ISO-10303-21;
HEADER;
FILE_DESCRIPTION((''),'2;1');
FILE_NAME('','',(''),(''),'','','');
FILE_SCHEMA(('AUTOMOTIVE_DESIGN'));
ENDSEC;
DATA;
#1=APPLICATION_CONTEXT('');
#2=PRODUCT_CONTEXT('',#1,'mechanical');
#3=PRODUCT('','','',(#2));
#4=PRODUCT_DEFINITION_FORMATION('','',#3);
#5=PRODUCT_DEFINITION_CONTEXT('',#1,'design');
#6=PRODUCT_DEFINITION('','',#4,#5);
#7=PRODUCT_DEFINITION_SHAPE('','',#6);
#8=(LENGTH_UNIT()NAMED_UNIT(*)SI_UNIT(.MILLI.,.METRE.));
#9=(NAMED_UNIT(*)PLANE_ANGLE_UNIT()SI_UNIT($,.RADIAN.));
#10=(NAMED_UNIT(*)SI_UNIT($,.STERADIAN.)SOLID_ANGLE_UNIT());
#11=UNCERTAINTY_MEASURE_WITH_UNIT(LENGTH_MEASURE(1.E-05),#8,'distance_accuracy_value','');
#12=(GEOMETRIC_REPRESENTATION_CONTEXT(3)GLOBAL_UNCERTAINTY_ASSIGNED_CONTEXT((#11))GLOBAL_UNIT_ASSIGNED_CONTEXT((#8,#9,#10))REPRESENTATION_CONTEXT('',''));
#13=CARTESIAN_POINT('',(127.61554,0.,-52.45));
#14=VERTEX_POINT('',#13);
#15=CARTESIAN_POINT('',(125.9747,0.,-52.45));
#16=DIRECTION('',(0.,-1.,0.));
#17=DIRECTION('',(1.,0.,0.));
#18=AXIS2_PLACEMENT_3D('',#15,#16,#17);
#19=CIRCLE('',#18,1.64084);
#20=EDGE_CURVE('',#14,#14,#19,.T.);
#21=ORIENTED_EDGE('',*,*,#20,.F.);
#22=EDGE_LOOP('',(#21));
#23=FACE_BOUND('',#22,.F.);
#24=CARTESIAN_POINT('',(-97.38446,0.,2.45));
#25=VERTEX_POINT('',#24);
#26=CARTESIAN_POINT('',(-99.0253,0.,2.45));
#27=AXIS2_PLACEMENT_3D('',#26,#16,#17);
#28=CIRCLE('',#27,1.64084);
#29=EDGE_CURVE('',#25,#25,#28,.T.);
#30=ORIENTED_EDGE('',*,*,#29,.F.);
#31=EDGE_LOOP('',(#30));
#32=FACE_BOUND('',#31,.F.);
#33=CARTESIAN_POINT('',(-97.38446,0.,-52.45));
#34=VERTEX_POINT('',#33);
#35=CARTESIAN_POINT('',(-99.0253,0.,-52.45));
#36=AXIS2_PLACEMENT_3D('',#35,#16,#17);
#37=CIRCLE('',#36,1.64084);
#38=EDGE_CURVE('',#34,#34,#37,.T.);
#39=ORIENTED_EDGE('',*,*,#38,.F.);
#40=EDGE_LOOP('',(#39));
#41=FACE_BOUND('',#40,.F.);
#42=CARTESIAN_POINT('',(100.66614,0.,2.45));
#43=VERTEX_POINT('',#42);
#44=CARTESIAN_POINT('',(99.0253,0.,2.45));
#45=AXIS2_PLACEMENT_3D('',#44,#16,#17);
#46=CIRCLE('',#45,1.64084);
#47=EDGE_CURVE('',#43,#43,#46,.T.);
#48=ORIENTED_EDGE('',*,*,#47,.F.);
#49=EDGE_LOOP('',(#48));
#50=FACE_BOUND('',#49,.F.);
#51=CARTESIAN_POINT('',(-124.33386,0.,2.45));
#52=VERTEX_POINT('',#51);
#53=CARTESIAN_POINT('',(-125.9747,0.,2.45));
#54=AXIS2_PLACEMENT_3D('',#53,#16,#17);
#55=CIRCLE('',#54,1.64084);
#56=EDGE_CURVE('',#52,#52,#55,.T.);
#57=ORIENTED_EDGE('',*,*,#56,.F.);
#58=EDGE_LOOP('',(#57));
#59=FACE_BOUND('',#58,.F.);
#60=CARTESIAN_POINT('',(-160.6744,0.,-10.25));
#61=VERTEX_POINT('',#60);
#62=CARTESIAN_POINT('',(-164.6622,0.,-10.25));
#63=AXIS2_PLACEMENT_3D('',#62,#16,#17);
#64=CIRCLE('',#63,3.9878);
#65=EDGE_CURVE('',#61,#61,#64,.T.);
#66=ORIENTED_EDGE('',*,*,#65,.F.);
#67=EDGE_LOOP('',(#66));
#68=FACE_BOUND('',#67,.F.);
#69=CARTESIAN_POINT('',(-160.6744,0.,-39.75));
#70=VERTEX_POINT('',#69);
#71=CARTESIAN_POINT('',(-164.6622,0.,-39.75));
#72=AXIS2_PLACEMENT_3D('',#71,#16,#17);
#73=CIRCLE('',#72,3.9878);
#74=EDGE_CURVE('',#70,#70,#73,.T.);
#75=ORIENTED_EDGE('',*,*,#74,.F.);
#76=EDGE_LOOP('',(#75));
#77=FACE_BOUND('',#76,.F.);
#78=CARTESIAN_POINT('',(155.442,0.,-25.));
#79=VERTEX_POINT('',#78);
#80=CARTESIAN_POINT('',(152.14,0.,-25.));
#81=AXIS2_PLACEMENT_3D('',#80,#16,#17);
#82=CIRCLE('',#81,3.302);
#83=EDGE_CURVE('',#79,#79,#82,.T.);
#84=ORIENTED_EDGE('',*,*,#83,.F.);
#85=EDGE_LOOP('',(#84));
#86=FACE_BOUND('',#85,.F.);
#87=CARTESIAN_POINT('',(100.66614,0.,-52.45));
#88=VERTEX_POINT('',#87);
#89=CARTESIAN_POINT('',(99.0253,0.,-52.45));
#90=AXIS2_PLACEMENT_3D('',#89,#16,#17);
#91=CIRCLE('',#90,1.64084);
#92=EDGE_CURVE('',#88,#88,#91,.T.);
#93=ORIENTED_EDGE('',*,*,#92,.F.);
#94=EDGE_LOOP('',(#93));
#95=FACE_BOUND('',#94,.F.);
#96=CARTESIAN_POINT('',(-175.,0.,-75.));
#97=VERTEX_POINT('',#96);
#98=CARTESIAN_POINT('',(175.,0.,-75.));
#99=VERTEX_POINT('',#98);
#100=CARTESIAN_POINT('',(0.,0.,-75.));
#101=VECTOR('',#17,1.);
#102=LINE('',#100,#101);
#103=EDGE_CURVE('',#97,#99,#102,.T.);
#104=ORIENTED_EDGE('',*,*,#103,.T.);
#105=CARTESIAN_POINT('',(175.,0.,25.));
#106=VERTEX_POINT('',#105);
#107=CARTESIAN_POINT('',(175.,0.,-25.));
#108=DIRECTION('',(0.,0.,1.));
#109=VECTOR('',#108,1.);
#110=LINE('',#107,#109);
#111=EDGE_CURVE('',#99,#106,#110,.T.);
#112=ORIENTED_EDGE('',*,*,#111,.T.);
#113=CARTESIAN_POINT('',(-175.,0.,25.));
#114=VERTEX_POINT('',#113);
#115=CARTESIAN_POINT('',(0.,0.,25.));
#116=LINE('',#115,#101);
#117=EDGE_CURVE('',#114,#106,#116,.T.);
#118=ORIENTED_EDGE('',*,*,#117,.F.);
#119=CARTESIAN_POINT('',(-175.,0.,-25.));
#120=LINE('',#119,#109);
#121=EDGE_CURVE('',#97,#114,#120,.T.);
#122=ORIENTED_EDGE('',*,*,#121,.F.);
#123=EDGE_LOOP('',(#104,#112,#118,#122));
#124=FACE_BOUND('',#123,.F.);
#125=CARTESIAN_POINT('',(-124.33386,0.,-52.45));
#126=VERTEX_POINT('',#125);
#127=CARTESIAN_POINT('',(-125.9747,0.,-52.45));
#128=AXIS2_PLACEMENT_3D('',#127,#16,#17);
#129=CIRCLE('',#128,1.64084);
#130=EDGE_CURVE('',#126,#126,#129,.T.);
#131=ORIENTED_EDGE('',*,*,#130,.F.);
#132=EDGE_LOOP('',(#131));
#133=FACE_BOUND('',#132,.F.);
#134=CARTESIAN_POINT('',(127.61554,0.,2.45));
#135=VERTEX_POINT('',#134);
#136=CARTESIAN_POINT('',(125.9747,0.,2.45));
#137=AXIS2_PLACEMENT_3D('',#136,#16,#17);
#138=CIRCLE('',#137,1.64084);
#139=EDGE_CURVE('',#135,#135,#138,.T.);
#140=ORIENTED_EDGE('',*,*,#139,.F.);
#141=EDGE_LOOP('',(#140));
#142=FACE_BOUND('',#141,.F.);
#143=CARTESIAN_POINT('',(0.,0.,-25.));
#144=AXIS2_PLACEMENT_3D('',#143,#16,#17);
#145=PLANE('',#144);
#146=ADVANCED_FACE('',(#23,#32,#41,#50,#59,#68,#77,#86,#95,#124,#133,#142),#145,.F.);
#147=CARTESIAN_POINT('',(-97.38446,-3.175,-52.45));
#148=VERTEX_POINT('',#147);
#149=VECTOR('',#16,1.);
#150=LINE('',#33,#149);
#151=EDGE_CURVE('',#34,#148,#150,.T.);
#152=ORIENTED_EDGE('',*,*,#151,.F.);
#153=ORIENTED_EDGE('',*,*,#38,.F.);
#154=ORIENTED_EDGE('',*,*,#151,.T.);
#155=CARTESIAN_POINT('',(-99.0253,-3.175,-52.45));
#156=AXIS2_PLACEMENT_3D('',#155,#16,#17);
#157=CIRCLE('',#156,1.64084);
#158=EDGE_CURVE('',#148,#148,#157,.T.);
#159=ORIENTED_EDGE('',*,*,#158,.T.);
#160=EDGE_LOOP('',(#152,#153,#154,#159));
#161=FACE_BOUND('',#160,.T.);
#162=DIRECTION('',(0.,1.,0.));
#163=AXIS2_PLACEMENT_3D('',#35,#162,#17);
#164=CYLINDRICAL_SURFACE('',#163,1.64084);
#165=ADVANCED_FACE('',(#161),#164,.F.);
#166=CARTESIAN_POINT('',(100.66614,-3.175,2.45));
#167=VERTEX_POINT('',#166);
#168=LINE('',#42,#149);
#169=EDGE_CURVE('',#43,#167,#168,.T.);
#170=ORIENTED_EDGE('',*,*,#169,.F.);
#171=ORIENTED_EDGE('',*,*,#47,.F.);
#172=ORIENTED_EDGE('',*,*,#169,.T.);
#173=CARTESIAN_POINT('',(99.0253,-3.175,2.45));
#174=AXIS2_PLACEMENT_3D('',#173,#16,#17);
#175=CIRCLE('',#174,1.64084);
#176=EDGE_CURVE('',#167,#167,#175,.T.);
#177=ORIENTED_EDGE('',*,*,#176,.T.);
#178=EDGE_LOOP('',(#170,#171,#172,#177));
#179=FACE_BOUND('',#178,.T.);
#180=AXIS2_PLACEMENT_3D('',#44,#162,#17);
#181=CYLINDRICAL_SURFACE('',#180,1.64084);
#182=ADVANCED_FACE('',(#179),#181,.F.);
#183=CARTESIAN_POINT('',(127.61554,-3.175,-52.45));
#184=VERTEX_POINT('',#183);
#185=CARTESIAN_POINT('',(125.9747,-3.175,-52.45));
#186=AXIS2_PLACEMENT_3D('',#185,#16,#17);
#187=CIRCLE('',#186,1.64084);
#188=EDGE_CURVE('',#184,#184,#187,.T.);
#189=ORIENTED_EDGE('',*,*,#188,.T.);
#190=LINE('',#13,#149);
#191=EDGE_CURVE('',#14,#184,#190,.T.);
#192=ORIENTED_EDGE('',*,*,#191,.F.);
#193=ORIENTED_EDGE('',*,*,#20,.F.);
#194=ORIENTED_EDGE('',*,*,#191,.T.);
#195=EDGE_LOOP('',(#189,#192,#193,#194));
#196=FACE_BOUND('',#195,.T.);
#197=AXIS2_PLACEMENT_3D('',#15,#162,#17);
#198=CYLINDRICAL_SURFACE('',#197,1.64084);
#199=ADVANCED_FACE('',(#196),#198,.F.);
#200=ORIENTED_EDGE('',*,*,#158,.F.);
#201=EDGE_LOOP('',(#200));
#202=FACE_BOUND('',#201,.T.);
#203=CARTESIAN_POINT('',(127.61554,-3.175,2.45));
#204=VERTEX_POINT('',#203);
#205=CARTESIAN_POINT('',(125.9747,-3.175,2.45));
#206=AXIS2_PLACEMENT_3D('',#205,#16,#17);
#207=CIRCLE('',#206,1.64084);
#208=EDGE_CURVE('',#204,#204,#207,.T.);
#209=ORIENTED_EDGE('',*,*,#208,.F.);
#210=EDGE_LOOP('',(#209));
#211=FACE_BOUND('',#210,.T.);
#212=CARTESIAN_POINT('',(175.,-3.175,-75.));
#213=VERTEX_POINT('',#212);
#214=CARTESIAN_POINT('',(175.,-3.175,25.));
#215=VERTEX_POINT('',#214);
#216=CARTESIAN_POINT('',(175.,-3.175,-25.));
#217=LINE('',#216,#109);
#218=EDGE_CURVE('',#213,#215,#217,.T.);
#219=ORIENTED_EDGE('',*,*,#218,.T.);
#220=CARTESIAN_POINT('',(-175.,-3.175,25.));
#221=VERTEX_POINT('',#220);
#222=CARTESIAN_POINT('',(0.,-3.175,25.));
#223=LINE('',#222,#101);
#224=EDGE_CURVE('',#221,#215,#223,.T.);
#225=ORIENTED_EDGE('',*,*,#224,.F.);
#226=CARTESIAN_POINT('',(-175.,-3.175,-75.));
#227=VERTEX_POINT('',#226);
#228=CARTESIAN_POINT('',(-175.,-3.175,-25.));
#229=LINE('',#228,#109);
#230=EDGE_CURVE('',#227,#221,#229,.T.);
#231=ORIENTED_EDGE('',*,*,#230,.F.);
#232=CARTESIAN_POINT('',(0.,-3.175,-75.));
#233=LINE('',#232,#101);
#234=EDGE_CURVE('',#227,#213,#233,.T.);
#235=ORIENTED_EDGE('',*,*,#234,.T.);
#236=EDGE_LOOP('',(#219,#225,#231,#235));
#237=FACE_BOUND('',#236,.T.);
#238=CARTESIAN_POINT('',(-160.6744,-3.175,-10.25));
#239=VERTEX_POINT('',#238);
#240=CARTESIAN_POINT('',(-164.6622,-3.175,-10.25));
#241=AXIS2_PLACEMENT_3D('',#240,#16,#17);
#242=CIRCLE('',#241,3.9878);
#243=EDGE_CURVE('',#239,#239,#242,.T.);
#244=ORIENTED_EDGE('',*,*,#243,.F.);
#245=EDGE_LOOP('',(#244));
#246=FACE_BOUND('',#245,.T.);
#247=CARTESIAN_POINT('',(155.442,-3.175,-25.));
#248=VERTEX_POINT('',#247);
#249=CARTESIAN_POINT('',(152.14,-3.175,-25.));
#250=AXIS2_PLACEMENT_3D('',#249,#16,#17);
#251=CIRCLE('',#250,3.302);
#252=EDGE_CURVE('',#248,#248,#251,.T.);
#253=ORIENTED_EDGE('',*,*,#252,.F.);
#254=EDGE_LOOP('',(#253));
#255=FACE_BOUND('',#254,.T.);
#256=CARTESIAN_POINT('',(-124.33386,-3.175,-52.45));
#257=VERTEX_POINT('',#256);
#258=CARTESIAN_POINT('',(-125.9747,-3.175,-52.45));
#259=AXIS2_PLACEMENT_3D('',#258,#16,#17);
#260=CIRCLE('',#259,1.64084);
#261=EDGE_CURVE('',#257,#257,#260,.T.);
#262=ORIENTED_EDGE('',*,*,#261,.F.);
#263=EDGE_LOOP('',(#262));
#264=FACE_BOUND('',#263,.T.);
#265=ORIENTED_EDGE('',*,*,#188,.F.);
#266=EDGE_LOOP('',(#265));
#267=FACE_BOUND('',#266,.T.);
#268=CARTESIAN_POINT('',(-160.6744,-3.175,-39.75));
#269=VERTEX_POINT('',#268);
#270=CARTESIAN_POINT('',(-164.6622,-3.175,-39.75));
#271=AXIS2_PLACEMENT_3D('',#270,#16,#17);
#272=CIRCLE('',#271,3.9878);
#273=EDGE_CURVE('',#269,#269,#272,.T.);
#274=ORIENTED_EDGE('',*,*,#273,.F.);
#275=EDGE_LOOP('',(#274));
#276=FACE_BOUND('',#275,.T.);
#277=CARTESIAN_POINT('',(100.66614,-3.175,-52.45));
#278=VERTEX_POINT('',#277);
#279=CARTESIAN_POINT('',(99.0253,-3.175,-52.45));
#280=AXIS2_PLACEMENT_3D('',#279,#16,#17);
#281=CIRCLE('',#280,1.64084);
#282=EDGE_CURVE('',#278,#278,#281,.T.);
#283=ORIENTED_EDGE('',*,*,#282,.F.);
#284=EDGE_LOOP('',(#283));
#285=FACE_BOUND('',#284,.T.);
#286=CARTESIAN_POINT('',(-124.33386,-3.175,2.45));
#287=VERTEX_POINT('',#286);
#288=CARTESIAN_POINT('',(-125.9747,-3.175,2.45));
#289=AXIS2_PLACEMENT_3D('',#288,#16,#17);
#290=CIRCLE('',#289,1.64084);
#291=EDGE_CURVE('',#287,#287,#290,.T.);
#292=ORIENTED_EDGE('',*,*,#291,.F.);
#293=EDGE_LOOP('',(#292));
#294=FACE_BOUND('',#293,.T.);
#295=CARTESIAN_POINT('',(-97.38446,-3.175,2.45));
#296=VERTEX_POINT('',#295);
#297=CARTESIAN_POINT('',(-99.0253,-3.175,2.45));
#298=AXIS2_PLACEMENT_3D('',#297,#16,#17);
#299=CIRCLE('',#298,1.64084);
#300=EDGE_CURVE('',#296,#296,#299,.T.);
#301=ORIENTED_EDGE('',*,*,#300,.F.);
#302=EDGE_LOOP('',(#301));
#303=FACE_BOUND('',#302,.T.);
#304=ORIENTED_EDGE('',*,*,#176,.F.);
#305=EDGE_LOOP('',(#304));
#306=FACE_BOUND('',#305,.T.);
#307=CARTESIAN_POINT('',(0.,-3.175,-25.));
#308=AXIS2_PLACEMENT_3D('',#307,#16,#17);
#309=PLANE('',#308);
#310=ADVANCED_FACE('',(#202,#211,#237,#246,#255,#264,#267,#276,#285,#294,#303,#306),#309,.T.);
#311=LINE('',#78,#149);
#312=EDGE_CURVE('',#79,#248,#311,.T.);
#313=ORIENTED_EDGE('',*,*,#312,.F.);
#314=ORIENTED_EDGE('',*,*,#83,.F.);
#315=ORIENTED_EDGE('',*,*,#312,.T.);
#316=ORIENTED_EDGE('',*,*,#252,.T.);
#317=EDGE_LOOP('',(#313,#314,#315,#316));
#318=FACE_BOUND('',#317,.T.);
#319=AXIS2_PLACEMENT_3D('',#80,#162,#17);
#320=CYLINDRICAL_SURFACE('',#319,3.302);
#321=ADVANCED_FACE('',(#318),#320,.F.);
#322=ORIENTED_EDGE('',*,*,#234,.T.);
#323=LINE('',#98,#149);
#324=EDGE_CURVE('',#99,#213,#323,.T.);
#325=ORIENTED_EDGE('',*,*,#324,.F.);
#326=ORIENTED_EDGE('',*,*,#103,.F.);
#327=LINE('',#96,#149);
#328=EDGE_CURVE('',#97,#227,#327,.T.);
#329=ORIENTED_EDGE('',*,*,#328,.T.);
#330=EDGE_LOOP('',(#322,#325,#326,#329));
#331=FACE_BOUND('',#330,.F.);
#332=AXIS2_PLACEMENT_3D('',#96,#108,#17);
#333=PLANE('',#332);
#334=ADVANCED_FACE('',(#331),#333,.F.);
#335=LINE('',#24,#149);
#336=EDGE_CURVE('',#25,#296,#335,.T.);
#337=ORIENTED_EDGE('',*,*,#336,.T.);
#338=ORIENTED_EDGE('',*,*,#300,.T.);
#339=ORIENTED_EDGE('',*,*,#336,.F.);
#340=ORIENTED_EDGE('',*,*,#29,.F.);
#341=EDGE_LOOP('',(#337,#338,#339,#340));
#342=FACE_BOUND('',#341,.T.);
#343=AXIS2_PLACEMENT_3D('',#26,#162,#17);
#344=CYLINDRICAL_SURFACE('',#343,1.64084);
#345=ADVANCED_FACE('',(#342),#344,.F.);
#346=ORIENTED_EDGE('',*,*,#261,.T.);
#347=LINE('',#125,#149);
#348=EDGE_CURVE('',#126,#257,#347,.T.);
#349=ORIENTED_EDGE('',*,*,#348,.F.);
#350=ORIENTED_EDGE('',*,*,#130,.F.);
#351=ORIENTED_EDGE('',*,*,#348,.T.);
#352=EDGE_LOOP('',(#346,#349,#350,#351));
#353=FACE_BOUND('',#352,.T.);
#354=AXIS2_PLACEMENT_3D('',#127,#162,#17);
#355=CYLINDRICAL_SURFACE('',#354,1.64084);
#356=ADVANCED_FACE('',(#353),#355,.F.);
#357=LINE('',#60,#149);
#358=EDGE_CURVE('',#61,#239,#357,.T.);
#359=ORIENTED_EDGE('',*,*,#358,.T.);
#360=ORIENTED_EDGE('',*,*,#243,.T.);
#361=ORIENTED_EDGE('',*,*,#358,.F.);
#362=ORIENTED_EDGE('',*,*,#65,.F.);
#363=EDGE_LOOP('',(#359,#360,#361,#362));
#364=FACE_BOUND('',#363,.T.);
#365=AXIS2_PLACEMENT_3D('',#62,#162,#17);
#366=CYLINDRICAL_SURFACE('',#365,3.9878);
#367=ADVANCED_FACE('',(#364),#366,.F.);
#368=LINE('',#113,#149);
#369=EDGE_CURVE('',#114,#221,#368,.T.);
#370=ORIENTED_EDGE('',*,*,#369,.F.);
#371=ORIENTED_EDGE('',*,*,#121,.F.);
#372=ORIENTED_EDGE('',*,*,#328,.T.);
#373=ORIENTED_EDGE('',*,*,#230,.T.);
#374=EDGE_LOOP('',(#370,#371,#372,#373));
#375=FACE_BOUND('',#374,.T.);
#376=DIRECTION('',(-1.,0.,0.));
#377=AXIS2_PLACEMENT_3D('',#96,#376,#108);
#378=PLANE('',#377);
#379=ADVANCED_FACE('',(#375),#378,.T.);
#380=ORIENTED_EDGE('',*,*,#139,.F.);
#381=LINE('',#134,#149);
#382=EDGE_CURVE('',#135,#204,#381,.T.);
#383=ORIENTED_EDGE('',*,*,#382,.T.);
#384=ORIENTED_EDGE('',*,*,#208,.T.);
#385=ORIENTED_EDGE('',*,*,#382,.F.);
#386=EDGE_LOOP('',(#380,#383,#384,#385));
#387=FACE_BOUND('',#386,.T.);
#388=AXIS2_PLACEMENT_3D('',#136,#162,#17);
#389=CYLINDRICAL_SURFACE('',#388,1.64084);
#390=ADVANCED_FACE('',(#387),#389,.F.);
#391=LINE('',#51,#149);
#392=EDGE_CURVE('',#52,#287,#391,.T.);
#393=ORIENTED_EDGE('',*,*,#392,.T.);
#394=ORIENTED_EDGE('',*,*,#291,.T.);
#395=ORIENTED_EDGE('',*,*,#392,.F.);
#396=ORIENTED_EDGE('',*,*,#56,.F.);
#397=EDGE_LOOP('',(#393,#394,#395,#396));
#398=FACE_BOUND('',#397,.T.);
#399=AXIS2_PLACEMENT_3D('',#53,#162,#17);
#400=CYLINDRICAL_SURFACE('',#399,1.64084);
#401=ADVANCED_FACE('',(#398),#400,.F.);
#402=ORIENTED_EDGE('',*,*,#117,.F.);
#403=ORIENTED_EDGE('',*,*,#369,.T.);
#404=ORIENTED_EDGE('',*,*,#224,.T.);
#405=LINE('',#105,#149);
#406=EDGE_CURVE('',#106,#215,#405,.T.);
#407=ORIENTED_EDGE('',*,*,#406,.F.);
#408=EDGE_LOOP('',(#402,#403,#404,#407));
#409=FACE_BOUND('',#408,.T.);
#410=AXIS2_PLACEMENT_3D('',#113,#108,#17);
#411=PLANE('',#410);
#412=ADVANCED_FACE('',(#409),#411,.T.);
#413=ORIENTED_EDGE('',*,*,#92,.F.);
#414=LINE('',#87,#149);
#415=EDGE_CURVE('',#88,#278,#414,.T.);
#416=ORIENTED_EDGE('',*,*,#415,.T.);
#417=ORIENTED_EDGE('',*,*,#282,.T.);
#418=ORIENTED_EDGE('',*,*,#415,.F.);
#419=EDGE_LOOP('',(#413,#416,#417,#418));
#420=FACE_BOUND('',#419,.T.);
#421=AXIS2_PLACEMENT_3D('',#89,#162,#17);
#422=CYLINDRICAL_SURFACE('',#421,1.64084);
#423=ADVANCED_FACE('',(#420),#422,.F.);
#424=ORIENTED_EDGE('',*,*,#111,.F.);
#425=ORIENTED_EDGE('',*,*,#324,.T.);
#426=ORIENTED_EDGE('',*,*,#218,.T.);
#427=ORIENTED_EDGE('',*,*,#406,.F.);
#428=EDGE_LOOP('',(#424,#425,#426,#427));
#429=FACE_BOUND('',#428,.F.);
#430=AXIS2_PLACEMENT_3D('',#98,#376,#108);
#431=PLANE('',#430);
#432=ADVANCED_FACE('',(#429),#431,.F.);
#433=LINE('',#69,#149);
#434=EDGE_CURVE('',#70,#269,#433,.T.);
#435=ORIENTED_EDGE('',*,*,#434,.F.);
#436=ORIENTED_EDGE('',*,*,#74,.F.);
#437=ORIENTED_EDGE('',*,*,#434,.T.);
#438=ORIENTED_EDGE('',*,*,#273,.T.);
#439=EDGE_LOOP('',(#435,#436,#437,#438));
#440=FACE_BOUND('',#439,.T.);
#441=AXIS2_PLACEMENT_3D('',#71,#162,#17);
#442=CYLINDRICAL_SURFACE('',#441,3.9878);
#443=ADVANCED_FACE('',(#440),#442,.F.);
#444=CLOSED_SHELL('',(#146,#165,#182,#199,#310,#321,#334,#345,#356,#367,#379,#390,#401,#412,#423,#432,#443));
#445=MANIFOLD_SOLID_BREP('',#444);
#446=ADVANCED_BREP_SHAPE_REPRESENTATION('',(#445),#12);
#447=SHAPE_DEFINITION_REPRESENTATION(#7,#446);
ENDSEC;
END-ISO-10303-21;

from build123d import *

# Parameters (mm, degrees)
F0_W     = 350
F0_H     = 100
F0_R     = 1.64084
F0_R_2   = 3.9878
F0_R_3   = 3.302
F1_DEPTH = 3.175


with BuildPart() as f1:
    # F0 (on Front) → F1 (new body)
    with BuildSketch(Plane.XZ):
        with Locations((0, -25)):
            Rectangle(F0_W, F0_H)
        with Locations((-125.9747, -52.45)):
            Circle(F0_R, mode=Mode.SUBTRACT)
        with Locations((-99.0253, -52.45)):
            Circle(F0_R, mode=Mode.SUBTRACT)
        with Locations((-164.6622, -39.75)):
            Circle(F0_R_2, mode=Mode.SUBTRACT)
        with Locations((99.0253, -52.45)):
            Circle(F0_R, mode=Mode.SUBTRACT)
        with Locations((125.9747, -52.45)):
            Circle(F0_R, mode=Mode.SUBTRACT)
        with Locations((-164.6622, -10.25)):
            Circle(F0_R_2, mode=Mode.SUBTRACT)
        with Locations((-125.9747, 2.45)):
            Circle(F0_R, mode=Mode.SUBTRACT)
        with Locations((-99.0253, 2.45)):
            Circle(F0_R, mode=Mode.SUBTRACT)
        with Locations((152.14, -25)):
            Circle(F0_R_3, mode=Mode.SUBTRACT)
        with Locations((99.0253, 2.45)):
            Circle(F0_R, mode=Mode.SUBTRACT)
        with Locations((125.9747, 2.45)):
            Circle(F0_R, mode=Mode.SUBTRACT)
    extrude(amount=F1_DEPTH)


solid = f1.part
